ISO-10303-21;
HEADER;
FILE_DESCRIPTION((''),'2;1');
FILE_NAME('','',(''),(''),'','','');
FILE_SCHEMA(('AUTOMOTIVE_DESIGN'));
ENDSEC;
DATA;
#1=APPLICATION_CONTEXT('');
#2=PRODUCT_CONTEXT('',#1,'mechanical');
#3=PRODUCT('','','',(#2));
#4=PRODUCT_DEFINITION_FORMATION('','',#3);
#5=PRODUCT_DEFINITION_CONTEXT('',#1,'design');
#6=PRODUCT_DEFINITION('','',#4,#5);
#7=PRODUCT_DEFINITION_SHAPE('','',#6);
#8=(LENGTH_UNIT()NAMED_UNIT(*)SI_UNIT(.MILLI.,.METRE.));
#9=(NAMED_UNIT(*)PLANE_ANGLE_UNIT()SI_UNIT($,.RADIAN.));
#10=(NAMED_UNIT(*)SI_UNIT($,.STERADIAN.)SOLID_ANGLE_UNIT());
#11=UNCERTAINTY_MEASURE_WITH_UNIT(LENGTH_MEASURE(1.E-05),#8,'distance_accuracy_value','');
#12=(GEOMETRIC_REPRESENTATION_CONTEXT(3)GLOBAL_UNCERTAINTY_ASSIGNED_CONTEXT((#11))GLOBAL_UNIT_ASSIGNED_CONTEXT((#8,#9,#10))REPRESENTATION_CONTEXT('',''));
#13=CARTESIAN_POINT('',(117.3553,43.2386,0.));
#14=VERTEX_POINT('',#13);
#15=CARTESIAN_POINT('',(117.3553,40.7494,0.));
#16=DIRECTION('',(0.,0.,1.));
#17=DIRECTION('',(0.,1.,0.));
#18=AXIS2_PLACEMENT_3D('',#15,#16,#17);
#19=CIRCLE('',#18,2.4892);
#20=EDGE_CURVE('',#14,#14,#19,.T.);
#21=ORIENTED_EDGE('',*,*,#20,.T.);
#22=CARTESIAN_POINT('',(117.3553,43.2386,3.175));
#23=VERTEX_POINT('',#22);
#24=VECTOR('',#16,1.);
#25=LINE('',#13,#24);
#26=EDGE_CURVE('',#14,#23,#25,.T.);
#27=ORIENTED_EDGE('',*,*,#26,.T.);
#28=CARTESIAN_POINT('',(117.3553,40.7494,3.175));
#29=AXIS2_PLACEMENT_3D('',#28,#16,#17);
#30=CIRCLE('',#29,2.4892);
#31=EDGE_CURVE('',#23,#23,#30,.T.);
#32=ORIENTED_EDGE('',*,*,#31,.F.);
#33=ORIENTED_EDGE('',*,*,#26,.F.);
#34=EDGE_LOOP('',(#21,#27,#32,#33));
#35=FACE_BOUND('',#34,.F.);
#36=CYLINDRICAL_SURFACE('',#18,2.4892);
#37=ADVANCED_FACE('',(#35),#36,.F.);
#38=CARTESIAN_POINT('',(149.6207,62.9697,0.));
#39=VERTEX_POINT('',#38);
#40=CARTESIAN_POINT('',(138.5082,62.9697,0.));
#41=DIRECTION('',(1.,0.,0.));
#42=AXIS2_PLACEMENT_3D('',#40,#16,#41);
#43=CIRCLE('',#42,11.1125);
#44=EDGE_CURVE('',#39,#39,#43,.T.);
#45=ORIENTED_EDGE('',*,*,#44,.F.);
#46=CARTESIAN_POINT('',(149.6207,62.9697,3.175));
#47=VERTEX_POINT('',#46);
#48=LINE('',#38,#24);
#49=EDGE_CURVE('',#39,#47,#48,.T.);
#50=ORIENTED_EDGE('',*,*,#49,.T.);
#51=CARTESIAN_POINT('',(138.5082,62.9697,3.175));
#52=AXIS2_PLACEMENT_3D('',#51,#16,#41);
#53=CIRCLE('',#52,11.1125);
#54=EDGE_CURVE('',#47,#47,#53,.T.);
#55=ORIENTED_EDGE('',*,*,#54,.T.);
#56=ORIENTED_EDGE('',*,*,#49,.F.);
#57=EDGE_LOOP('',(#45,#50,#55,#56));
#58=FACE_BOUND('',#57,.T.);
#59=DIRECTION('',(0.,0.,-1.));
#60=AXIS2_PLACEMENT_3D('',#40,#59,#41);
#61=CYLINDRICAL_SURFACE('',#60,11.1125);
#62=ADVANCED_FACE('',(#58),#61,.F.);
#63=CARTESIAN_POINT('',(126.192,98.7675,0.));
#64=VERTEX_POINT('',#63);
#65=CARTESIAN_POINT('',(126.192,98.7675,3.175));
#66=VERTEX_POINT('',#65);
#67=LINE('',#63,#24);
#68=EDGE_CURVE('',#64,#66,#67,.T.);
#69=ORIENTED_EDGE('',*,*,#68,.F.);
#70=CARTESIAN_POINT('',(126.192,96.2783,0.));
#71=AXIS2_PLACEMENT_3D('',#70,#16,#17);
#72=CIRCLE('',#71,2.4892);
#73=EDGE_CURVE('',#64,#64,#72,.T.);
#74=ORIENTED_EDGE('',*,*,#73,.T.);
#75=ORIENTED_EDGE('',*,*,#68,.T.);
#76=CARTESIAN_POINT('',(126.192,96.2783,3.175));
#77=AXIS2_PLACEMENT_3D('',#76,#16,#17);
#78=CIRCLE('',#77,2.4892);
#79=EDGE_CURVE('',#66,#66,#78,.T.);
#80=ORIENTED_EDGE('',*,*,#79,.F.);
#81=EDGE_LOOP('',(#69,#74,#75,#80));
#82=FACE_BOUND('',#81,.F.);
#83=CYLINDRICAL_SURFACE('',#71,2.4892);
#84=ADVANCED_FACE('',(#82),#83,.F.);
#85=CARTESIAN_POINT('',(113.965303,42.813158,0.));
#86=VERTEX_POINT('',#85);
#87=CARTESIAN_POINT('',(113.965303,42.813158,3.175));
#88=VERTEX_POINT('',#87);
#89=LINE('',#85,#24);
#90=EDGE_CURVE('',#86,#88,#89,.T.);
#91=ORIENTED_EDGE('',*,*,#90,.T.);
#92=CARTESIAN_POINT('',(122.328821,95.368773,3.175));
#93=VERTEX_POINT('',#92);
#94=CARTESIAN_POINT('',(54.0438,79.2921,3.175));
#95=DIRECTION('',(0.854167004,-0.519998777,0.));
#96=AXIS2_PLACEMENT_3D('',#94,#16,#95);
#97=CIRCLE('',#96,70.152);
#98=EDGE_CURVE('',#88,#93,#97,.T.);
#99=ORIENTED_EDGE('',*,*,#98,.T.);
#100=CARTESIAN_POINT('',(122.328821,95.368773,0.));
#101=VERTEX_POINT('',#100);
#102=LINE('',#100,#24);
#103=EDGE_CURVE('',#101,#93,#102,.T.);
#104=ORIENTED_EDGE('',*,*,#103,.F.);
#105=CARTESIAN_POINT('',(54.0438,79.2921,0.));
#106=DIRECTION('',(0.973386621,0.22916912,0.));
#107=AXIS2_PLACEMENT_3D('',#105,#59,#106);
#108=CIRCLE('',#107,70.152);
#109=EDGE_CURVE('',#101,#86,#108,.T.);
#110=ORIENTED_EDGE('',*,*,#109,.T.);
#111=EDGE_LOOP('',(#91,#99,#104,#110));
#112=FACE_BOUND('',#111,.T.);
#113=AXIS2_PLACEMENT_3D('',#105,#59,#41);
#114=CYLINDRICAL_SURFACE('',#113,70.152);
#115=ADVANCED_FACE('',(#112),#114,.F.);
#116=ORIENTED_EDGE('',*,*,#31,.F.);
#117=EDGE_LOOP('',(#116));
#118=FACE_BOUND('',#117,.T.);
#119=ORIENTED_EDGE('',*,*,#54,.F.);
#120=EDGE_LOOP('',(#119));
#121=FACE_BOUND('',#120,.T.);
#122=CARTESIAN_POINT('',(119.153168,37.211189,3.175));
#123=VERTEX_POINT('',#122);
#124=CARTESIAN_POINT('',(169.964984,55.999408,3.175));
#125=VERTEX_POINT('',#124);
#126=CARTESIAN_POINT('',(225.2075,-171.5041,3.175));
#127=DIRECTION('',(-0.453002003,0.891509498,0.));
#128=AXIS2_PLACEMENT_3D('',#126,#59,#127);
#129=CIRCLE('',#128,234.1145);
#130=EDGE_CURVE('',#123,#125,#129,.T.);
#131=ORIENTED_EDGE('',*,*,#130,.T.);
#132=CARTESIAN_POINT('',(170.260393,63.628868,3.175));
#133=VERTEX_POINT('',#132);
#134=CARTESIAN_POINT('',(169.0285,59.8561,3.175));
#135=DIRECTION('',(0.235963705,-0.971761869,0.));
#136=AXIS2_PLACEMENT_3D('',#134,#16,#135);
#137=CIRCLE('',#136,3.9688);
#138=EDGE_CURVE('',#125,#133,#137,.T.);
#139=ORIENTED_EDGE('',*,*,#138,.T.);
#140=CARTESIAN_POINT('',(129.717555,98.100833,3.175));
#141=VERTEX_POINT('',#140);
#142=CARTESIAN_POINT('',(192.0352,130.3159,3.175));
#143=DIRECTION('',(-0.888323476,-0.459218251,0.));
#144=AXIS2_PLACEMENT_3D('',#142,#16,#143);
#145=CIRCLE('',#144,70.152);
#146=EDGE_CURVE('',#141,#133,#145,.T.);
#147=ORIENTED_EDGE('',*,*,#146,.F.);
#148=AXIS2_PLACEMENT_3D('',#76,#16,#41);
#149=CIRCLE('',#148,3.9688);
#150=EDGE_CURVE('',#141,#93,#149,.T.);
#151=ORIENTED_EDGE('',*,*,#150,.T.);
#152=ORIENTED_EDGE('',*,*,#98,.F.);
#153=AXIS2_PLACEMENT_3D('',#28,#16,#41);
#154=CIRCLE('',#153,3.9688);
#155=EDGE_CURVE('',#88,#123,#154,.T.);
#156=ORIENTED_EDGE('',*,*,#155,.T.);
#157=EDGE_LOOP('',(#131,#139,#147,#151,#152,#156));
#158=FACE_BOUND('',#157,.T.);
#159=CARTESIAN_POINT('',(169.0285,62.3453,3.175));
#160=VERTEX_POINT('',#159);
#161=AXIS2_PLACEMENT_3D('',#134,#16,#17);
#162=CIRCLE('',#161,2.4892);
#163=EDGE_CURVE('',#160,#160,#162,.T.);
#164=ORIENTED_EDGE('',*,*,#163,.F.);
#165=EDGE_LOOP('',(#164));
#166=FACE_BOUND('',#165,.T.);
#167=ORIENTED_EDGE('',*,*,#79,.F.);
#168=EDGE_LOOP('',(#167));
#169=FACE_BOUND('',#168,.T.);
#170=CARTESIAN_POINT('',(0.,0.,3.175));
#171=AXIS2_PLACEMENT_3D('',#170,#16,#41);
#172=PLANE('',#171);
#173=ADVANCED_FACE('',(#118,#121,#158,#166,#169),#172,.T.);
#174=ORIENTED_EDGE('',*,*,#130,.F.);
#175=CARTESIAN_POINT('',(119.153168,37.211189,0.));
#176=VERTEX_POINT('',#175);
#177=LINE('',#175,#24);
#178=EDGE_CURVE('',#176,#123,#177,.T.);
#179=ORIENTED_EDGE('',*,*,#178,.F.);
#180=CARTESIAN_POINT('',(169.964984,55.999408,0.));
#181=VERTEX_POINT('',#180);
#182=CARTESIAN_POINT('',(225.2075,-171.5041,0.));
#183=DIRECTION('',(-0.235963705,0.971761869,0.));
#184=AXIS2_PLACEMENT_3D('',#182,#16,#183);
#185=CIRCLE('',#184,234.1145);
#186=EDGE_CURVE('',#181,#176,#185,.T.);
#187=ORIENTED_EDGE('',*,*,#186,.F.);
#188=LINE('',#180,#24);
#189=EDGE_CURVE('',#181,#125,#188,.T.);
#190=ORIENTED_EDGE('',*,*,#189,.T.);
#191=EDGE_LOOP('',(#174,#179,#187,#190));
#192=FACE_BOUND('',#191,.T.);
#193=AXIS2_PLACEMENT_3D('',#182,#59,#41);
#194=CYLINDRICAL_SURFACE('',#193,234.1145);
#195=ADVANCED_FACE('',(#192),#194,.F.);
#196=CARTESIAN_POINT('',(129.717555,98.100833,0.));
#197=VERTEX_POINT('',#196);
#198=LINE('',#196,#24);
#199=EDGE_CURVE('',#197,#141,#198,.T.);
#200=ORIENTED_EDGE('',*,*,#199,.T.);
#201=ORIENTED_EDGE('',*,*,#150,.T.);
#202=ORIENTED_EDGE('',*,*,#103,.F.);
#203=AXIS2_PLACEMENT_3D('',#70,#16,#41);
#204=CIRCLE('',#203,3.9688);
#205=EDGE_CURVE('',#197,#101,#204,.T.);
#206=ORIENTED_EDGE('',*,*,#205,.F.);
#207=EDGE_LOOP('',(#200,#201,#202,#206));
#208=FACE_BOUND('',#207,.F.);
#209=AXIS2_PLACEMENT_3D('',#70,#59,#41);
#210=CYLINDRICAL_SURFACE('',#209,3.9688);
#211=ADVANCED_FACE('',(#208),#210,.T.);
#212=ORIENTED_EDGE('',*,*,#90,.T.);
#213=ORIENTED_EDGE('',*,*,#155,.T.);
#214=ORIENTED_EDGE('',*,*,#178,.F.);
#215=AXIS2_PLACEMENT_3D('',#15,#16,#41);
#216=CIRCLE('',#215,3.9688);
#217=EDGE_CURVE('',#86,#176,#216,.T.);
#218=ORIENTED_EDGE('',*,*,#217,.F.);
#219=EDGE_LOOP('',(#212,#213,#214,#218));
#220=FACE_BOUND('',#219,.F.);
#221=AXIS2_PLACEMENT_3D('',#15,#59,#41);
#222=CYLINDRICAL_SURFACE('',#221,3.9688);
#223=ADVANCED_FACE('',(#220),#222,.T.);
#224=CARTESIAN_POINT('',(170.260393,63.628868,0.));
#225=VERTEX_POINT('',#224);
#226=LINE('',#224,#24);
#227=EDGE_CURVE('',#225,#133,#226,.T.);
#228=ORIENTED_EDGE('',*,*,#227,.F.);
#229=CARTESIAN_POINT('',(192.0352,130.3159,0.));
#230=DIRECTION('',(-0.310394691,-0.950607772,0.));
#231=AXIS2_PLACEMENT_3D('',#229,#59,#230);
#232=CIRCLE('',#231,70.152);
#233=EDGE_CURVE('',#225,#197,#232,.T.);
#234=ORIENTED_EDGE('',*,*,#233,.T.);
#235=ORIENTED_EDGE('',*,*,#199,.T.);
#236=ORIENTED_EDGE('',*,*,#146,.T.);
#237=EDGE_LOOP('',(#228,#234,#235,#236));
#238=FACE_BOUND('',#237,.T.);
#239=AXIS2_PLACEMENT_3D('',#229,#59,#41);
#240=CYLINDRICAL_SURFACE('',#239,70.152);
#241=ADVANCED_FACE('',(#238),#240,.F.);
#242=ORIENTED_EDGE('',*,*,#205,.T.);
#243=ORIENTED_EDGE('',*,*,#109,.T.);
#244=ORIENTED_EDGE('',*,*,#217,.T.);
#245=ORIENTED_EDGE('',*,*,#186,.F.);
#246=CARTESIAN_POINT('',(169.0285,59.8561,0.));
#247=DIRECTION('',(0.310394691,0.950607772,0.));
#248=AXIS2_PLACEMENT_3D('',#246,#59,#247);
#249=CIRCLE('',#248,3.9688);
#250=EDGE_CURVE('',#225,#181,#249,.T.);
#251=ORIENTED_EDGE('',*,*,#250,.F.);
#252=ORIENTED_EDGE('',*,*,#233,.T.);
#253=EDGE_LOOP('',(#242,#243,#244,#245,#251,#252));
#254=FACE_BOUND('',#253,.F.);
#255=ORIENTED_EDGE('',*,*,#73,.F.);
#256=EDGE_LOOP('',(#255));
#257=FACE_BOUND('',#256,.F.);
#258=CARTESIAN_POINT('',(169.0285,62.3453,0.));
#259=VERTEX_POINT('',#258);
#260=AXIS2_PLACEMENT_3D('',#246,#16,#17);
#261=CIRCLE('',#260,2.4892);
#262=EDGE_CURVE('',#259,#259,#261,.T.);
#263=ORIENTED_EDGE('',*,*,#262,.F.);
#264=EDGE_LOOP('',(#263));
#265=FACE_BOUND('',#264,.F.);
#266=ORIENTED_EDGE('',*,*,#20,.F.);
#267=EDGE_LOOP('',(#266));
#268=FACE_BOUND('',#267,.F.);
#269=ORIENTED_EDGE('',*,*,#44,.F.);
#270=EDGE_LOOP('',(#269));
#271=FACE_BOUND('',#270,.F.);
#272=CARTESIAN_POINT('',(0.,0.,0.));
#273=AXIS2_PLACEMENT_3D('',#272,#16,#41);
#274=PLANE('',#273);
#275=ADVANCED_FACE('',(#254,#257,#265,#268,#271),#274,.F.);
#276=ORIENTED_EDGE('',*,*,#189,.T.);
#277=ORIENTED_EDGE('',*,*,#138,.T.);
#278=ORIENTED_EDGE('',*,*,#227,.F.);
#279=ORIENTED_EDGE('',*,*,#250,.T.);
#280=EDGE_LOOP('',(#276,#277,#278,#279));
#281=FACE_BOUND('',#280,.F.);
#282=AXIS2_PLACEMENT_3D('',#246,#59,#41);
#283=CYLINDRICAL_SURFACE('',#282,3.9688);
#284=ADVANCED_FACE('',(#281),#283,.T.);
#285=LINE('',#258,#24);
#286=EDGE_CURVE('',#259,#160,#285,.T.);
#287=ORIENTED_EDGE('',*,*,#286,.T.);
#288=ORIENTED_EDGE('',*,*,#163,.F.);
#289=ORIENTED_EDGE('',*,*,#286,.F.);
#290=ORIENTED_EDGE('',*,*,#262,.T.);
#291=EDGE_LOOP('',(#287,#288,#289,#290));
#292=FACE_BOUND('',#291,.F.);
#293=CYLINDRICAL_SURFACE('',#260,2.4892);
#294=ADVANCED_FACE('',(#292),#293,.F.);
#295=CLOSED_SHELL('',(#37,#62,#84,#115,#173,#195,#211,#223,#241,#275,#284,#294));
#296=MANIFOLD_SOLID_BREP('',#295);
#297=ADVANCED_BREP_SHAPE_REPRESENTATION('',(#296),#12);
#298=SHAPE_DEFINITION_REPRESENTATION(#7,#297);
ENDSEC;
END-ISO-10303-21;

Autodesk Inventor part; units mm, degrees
ref_plane "YZ Plane" through (0, 0, 0) normal (1, 0, 0) x (0, 1, 0)
ref_plane "XZ Plane" through (0, 0, 0) normal (0, 1, 0) x (-1, 0, 0)
ref_plane "XY Plane" through (0, 0, 0) normal (0, 0, 1) x (1, 0, 0)
sketch "Sketch1" plane through (0, 0, 0) normal (0, 0, 1) x (1, 0, 0)
  line L0 (0, 0) -> (304.8, 0) construction
  line L1 (304.8, 0) -> (304.8, 50.8) construction
  line L2 (304.8, 50.8) -> (0, 50.8) construction
  line L3 (0, 50.8) -> (0, 0) construction
  circle A0 centre (152.4, 25.4) radius 14.2875 construction
  circle A1 centre (152.4, 25.4) radius 34.29 construction
  circle A2 centre (152.4, 25.4) radius 22.225 construction
  line L4 (152.4, 25.4) -> (138.5082, 62.9697) construction
  circle A3 centre (138.5082, 62.9697) radius 9.525 construction
  circle A4 centre (138.5082, 62.9697) radius 17.78 construction
  circle A5 centre (89.9711, 85.09) radius 31.75 construction
  circle A6 centre (160.9785, 111.3458) radius 31.75 construction
  circle A7 centre (221.9701, 85.09) radius 31.75 construction
  line L5 (0, 50.8) -> (0, 53.34) construction
  line L6 (0, 53.34) -> (304.8, 53.34) construction
  line L7 (304.8, 53.34) -> (304.8, 50.8) construction
  circle A8 centre (138.5082, 62.9697) radius 21.59 construction
  circle A9 centre (152.4, 25.4) radius 46.99 construction
  circle A10 centre (152.4, 25.4) radius 50.8 construction
  arc A11 (84.9408, 79.3264) -> (90.9184, 92.6811) centre (89.9711, 85.09) ccw construction
  circle A12 centre (160.9785, 111.3458) radius 7.65 construction
  arc A13 (221.6909, 92.7349) -> (225.5139, 78.3104) centre (221.9701, 85.09) ccw construction
  circle A14 centre (160.9785, 111.3458) radius 9.1 construction
  circle A15 centre (138.5082, 62.9697) radius 22.9 construction
  line L8 (84.9408, 79.3264) -> (123.4503, 45.7166) construction
  line L9 (168.5483, 110.2412) -> (161.1682, 59.6633) construction
  line L10 (90.9184, 92.6811) -> (89.9711, 85.09) construction
  line L11 (89.9711, 85.09) -> (84.9408, 79.3264) construction
  circle A16 centre (126.192, 96.2783) radius 3.9688
  circle A17 centre (126.192, 96.2783) radius 7.9375 construction
  line L12 (90.9184, 92.6811) -> (125.2091, 88.4019) construction
  line L13 (132.0626, 90.936) -> (155.3205, 116.4945) construction
  line L14 (155.3205, 116.4945) -> (160.9785, 111.3458) construction
  line L15 (168.5483, 110.2412) -> (160.9785, 111.3458) construction
  line L16 (138.5082, 62.9697) -> (126.192, 96.2783) construction
  line L17 (89.9711, 85.09) -> (160.9785, 111.3458) construction
  line L18 (152.4, 25.4) -> (89.9711, 85.09) construction
  line L19 (152.4, 25.4) -> (160.9785, 111.3458) construction
  circle A18 centre (126.192, 96.2783) radius 9.2075 construction
  circle A19 centre (126.192, 96.2783) radius 6.1595 construction
  arc A20 (90.9184, 92.6811) -> (84.9408, 79.3264) centre (89.9711, 85.09) ccw construction
  circle A21 centre (160.9785, 111.3458) radius 25.4 construction
  circle A22 centre (221.9701, 85.09) radius 25.4 construction
  line L20 (102.9424, 114.0695) -> (76.9998, 56.1105) construction
  circle A23 centre (89.9711, 85.09) radius 25.4 construction
  line L21 (213.8361, 115.7804) -> (230.1041, 54.3996) construction
  line L22 (54.4111, 187.5458) -> (206.8111, 187.5458)
  line L23 (206.8111, 187.5458) -> (206.8111, -2.9542)
  line L24 (206.8111, -2.9542) -> (54.4111, -2.9542)
  line L25 (54.4111, -2.9542) -> (54.4111, 187.5458)
  circle A24 centre (138.5082, 62.9697) radius 11.1125
  arc A25 (225.3129, 75.4455) -> (221.0936, 95.3227) centre (223.2033, 85.3841) ccw construction
  line L26 (220.7531, 84.7347) -> (228.4773, 60.5377) construction
  line L27 (223.2033, 85.3841) -> (228.4773, 60.5377) construction
  line L28 (220.7531, 84.7347) -> (213.029, 108.9318) construction
  line L29 (223.2033, 85.3841) -> (217.9292, 110.2305) construction
  arc A26 (212.3049, 111.2003) -> (213.7531, 106.6633) centre (213.029, 108.9318) ccw construction
  arc A27 (218.4237, 107.9012) -> (217.4348, 112.5599) centre (217.9292, 110.2305) ccw construction
  arc A28 (218.4237, 107.9012) -> (213.7531, 106.6633) centre (228.4773, 60.5377) ccw construction
  arc A29 (217.4348, 112.5599) -> (212.3049, 111.2003) centre (228.4773, 60.5377) ccw construction
  line L30 (213.029, 108.9318) -> (212.3049, 111.2003) construction
  line L31 (217.9292, 110.2305) -> (217.4348, 112.5599) construction
  arc A30 (221.0936, 95.3227) -> (217.6635, 94.4136) centre (228.4773, 60.5377) ccw construction
  arc A31 (225.3129, 75.4455) -> (223.8428, 75.0559) centre (228.4773, 60.5377) ccw construction
  line L32 (102.6358, 107.1803) -> (91.1149, 84.5434) construction
  line L33 (79.5941, 61.9064) -> (88.8014, 85.5789) construction
  arc A32 (98.8719, 111.4706) -> (97.1455, 107.0321) centre (98.0087, 109.2513) ccw construction
  arc A33 (101.5557, 105.0581) -> (103.7158, 109.3025) centre (102.6358, 107.1803) ccw construction
  arc A34 (101.5557, 105.0581) -> (97.1455, 107.0321) centre (79.5941, 61.9064) ccw construction
  line L34 (98.0087, 109.2513) -> (98.8719, 111.4706) construction
  line L35 (102.6358, 107.1803) -> (103.7158, 109.3025) construction
  arc A35 (103.7158, 109.3025) -> (98.8719, 111.4706) centre (79.5941, 61.9064) ccw construction
  arc A36 (217.6635, 94.4136) -> (223.8428, 75.0559) centre (220.7531, 84.7347) ccw construction
  arc A37 (86.5066, 75.4886) -> (95.7233, 93.5981) centre (91.1149, 84.5434) ccw construction
  line L36 (88.8014, 85.5789) -> (98.0087, 109.2513) construction
  line L37 (91.1149, 84.5434) -> (79.5941, 61.9064) construction
  arc A38 (86.5066, 75.4886) -> (85.1185, 76.1099) centre (79.5941, 61.9064) ccw construction
  arc A39 (95.7233, 93.5981) -> (92.4843, 95.0479) centre (79.5941, 61.9064) ccw construction
  arc A40 (92.4843, 95.0479) -> (85.1185, 76.1099) centre (88.8014, 85.5789) ccw construction
  line L38 (160.9785, 111.3458) -> (138.0151, 122.2014) construction
  line L39 (160.9785, 111.3458) -> (183.9418, 100.4902) construction
  circle A41 centre (138.5082, 62.9697) radius 26.71 construction
  line L40 (221.6909, 92.7349) -> (137.5335, 89.6619) construction
  line L41 (225.5139, 78.3104) -> (150.8815, 39.2986) construction
  line L42 (221.9701, 85.09) -> (221.6909, 92.7349) construction
  line L43 (221.9701, 85.09) -> (225.5139, 78.3104) construction
  line L44 (138.5082, 62.9697) -> (137.5335, 89.6619) construction
  line L45 (138.5082, 62.9697) -> (150.8815, 39.2986) construction
  arc A42 (225.5139, 78.3104) -> (221.6909, 92.7349) centre (221.9701, 85.09) ccw construction
  arc A43 (225.5139, 78.3104) -> (224.7763, 77.9733) centre (221.9701, 85.09) ccw construction
  line L46 (138.5082, 62.9697) -> (221.9701, 85.09) construction
  circle A44 centre (138.5082, 62.9697) radius 15.875
  circle A45 centre (117.3553, 40.7494) radius 3.9688
  circle A46 centre (169.0285, 59.8561) radius 3.9688
  circle A47 centre (225.2075, -171.5041) radius 234.1145
  circle A48 centre (54.0438, 79.2921) radius 70.152
  circle A49 centre (192.0352, 130.3159) radius 70.152
  point P0 (215.4629, 109.6423)
  point P1 (100.3481, 108.2736)
  point P2 (169.965, 55.9994)
  point P3 (144.0138, 48.08)
  point P4 (119.1532, 37.2112)
  point P5 (170.2604, 63.6288)
  point P6 (113.9654, 42.8131)
  point P7 (129.7175, 98.1008)
  point P8 (122.3289, 95.3687)
  dimension "d127" = 31.75
  dimension "d1" = 50.8
  dimension "d2" = 28.575
  dimension "d3" = 25.4
  dimension "d4" = 152.4
  dimension "d7" = 68.58
  dimension "d8" = 44.45
  dimension "d9" = 19.05
  dimension "d10" = 35.56
  dimension "d11" = 40.0558
  dimension "d12" = 63.5
  dimension "d13" = 63.5
  dimension "d14" = 63.5
  dimension "d15" = 2.54
  dimension "d16" = 304.8
  dimension "d17" = 43.18
  dimension "d18" = 93.98
  dimension "d19" = 101.6
  dimension "d21" = 15.3
  dimension "d22" = 15.3
  dimension "d24" = 18.2
  dimension "d29" = 45.8
  dimension "d30" = 146
  dimension "d31" = 7.9375
  dimension "d32" = 15.875
  dimension "d33" = 146
  dimension "d35" = 18.415
  dimension "d37" = 12.319
  dimension "d40" = 50.8
  dimension "d41" = 50.8
  dimension "d42" = 17
  dimension "d43" = 17
  dimension "d44" = 50.8
  dimension "d53" = 152.4
  dimension "d54" = 190.5
  dimension "d55" = 35.56
  dimension "d56" = 76.2
  dimension "d57" = 22.225
  dimension "d67" = 25.4
  dimension "d68" = 25.4
  dimension "d69" = 2.86
  dimension "d70" = 25.4
  dimension "d71" = 25.4
  dimension "d72" = 4.7625
  dimension "d75" = 2.86
  dimension "d80" = 4.7625
  dimension "d82" = 4.7625
  dimension "d83" = 50.8
  dimension "d84" = 50.8
  dimension "d85" = 10.16
  dimension "d97" = 48.4188
  dimension "d99" = 20.32
  dimension "d101" = 25.4
  dimension "d102" = 25.4
  dimension "d103" = 10.16
  dimension "d105" = 17
  dimension "d106" = 17
  dimension "d107" = 53.42
  dimension "d108" = 154.494
  dimension "d109" = 7.65
  dimension "d111" = 86.3435
  dimension "d112" = 12.753
  dimension "d113" = 12.753
  dimension "d135" = 7.9375
  dimension "d136" = 7.9375
extrude "Extrusion3" add sketch "Sketch1" along normal blind 3.175 contours A16 | A16 A49 A44 A48 | A49 A46 A47 A44 | A44 | A44 A47 A45 A48 | A46 | A45
hole "Hole3" at (79.5941, 61.9064, 0) at (228.4773, 60.5377, 0) at (183.9418, 100.4902, 0) at (215.4629, 109.6423, 0) at (117.3553, 40.7494, 0) at (169.0285, 59.8561, 0) at (126.192, 96.2783, 0) direction (0, 0, 1) diameter 4.9784 end through all clearance for "Socket Head Cap Screw" size "#10" standard "Ansi Unified Screw Threads"
equation "\"d2\" = BearingLargeOD"
equation "\"d8\" = Gear35tPD"
equation "\"d9\" = Gear15tPD"
equation "\"d10\" = Gear28tPD"
equation "\"d11\" = 0.5 * Gear48tPD + 0.5 * Gear15tPD + MeshingClearance"
equation "\"d12\" = CimOD"
equation "\"d13\" = CimOD"
equation "\"d14\" = CimOD"
equation "\"d17\" = Gear28tPD + ClearanceDiameter"
equation "\"d18\" = WheelOD"
equation "\"d19\" = WheelClearance"
equation "\"Pulley48tPD\" = 45.8"
equation "\"Pulley19tPD\" = 18.2"
equation "\"Pulley16tPD\" = 15.3"
equation "\"Gear15tPD\" = 19.05"
equation "\"Gear35tPD\" = 44.45"
equation "\"Gear48tPD\" = 60.96"
equation "\"Gear28tPD\" = 35.56"
equation "\"BearingLargeOD\" = 28.575"
equation "\"BearingSmallOD\" = 22.225"
equation "\"MeshingClearance\" = 0.0508"
equation "\"CimOD\" = 63.5"
equation "\"WheelOD\" = 93.98"
equation "\"ClearanceDiameter\" = 7.62"
equation "\"WheelClearance\" = 101.6"
equation "\"TensioningBearingID\" = 6.35"
equation "\"TensioningBearingOD\" = 15.875"
equation "\"SpingClipClearance\" = 8.89"
equation "\"Pi\" = 79.79645"
equation "\"Pulley56tPD\" = 53.5"
equation "\"BearingXLargeOD\" = 34.925"
properties part number "OutlineSketch1" material "Aluminum 6061"
